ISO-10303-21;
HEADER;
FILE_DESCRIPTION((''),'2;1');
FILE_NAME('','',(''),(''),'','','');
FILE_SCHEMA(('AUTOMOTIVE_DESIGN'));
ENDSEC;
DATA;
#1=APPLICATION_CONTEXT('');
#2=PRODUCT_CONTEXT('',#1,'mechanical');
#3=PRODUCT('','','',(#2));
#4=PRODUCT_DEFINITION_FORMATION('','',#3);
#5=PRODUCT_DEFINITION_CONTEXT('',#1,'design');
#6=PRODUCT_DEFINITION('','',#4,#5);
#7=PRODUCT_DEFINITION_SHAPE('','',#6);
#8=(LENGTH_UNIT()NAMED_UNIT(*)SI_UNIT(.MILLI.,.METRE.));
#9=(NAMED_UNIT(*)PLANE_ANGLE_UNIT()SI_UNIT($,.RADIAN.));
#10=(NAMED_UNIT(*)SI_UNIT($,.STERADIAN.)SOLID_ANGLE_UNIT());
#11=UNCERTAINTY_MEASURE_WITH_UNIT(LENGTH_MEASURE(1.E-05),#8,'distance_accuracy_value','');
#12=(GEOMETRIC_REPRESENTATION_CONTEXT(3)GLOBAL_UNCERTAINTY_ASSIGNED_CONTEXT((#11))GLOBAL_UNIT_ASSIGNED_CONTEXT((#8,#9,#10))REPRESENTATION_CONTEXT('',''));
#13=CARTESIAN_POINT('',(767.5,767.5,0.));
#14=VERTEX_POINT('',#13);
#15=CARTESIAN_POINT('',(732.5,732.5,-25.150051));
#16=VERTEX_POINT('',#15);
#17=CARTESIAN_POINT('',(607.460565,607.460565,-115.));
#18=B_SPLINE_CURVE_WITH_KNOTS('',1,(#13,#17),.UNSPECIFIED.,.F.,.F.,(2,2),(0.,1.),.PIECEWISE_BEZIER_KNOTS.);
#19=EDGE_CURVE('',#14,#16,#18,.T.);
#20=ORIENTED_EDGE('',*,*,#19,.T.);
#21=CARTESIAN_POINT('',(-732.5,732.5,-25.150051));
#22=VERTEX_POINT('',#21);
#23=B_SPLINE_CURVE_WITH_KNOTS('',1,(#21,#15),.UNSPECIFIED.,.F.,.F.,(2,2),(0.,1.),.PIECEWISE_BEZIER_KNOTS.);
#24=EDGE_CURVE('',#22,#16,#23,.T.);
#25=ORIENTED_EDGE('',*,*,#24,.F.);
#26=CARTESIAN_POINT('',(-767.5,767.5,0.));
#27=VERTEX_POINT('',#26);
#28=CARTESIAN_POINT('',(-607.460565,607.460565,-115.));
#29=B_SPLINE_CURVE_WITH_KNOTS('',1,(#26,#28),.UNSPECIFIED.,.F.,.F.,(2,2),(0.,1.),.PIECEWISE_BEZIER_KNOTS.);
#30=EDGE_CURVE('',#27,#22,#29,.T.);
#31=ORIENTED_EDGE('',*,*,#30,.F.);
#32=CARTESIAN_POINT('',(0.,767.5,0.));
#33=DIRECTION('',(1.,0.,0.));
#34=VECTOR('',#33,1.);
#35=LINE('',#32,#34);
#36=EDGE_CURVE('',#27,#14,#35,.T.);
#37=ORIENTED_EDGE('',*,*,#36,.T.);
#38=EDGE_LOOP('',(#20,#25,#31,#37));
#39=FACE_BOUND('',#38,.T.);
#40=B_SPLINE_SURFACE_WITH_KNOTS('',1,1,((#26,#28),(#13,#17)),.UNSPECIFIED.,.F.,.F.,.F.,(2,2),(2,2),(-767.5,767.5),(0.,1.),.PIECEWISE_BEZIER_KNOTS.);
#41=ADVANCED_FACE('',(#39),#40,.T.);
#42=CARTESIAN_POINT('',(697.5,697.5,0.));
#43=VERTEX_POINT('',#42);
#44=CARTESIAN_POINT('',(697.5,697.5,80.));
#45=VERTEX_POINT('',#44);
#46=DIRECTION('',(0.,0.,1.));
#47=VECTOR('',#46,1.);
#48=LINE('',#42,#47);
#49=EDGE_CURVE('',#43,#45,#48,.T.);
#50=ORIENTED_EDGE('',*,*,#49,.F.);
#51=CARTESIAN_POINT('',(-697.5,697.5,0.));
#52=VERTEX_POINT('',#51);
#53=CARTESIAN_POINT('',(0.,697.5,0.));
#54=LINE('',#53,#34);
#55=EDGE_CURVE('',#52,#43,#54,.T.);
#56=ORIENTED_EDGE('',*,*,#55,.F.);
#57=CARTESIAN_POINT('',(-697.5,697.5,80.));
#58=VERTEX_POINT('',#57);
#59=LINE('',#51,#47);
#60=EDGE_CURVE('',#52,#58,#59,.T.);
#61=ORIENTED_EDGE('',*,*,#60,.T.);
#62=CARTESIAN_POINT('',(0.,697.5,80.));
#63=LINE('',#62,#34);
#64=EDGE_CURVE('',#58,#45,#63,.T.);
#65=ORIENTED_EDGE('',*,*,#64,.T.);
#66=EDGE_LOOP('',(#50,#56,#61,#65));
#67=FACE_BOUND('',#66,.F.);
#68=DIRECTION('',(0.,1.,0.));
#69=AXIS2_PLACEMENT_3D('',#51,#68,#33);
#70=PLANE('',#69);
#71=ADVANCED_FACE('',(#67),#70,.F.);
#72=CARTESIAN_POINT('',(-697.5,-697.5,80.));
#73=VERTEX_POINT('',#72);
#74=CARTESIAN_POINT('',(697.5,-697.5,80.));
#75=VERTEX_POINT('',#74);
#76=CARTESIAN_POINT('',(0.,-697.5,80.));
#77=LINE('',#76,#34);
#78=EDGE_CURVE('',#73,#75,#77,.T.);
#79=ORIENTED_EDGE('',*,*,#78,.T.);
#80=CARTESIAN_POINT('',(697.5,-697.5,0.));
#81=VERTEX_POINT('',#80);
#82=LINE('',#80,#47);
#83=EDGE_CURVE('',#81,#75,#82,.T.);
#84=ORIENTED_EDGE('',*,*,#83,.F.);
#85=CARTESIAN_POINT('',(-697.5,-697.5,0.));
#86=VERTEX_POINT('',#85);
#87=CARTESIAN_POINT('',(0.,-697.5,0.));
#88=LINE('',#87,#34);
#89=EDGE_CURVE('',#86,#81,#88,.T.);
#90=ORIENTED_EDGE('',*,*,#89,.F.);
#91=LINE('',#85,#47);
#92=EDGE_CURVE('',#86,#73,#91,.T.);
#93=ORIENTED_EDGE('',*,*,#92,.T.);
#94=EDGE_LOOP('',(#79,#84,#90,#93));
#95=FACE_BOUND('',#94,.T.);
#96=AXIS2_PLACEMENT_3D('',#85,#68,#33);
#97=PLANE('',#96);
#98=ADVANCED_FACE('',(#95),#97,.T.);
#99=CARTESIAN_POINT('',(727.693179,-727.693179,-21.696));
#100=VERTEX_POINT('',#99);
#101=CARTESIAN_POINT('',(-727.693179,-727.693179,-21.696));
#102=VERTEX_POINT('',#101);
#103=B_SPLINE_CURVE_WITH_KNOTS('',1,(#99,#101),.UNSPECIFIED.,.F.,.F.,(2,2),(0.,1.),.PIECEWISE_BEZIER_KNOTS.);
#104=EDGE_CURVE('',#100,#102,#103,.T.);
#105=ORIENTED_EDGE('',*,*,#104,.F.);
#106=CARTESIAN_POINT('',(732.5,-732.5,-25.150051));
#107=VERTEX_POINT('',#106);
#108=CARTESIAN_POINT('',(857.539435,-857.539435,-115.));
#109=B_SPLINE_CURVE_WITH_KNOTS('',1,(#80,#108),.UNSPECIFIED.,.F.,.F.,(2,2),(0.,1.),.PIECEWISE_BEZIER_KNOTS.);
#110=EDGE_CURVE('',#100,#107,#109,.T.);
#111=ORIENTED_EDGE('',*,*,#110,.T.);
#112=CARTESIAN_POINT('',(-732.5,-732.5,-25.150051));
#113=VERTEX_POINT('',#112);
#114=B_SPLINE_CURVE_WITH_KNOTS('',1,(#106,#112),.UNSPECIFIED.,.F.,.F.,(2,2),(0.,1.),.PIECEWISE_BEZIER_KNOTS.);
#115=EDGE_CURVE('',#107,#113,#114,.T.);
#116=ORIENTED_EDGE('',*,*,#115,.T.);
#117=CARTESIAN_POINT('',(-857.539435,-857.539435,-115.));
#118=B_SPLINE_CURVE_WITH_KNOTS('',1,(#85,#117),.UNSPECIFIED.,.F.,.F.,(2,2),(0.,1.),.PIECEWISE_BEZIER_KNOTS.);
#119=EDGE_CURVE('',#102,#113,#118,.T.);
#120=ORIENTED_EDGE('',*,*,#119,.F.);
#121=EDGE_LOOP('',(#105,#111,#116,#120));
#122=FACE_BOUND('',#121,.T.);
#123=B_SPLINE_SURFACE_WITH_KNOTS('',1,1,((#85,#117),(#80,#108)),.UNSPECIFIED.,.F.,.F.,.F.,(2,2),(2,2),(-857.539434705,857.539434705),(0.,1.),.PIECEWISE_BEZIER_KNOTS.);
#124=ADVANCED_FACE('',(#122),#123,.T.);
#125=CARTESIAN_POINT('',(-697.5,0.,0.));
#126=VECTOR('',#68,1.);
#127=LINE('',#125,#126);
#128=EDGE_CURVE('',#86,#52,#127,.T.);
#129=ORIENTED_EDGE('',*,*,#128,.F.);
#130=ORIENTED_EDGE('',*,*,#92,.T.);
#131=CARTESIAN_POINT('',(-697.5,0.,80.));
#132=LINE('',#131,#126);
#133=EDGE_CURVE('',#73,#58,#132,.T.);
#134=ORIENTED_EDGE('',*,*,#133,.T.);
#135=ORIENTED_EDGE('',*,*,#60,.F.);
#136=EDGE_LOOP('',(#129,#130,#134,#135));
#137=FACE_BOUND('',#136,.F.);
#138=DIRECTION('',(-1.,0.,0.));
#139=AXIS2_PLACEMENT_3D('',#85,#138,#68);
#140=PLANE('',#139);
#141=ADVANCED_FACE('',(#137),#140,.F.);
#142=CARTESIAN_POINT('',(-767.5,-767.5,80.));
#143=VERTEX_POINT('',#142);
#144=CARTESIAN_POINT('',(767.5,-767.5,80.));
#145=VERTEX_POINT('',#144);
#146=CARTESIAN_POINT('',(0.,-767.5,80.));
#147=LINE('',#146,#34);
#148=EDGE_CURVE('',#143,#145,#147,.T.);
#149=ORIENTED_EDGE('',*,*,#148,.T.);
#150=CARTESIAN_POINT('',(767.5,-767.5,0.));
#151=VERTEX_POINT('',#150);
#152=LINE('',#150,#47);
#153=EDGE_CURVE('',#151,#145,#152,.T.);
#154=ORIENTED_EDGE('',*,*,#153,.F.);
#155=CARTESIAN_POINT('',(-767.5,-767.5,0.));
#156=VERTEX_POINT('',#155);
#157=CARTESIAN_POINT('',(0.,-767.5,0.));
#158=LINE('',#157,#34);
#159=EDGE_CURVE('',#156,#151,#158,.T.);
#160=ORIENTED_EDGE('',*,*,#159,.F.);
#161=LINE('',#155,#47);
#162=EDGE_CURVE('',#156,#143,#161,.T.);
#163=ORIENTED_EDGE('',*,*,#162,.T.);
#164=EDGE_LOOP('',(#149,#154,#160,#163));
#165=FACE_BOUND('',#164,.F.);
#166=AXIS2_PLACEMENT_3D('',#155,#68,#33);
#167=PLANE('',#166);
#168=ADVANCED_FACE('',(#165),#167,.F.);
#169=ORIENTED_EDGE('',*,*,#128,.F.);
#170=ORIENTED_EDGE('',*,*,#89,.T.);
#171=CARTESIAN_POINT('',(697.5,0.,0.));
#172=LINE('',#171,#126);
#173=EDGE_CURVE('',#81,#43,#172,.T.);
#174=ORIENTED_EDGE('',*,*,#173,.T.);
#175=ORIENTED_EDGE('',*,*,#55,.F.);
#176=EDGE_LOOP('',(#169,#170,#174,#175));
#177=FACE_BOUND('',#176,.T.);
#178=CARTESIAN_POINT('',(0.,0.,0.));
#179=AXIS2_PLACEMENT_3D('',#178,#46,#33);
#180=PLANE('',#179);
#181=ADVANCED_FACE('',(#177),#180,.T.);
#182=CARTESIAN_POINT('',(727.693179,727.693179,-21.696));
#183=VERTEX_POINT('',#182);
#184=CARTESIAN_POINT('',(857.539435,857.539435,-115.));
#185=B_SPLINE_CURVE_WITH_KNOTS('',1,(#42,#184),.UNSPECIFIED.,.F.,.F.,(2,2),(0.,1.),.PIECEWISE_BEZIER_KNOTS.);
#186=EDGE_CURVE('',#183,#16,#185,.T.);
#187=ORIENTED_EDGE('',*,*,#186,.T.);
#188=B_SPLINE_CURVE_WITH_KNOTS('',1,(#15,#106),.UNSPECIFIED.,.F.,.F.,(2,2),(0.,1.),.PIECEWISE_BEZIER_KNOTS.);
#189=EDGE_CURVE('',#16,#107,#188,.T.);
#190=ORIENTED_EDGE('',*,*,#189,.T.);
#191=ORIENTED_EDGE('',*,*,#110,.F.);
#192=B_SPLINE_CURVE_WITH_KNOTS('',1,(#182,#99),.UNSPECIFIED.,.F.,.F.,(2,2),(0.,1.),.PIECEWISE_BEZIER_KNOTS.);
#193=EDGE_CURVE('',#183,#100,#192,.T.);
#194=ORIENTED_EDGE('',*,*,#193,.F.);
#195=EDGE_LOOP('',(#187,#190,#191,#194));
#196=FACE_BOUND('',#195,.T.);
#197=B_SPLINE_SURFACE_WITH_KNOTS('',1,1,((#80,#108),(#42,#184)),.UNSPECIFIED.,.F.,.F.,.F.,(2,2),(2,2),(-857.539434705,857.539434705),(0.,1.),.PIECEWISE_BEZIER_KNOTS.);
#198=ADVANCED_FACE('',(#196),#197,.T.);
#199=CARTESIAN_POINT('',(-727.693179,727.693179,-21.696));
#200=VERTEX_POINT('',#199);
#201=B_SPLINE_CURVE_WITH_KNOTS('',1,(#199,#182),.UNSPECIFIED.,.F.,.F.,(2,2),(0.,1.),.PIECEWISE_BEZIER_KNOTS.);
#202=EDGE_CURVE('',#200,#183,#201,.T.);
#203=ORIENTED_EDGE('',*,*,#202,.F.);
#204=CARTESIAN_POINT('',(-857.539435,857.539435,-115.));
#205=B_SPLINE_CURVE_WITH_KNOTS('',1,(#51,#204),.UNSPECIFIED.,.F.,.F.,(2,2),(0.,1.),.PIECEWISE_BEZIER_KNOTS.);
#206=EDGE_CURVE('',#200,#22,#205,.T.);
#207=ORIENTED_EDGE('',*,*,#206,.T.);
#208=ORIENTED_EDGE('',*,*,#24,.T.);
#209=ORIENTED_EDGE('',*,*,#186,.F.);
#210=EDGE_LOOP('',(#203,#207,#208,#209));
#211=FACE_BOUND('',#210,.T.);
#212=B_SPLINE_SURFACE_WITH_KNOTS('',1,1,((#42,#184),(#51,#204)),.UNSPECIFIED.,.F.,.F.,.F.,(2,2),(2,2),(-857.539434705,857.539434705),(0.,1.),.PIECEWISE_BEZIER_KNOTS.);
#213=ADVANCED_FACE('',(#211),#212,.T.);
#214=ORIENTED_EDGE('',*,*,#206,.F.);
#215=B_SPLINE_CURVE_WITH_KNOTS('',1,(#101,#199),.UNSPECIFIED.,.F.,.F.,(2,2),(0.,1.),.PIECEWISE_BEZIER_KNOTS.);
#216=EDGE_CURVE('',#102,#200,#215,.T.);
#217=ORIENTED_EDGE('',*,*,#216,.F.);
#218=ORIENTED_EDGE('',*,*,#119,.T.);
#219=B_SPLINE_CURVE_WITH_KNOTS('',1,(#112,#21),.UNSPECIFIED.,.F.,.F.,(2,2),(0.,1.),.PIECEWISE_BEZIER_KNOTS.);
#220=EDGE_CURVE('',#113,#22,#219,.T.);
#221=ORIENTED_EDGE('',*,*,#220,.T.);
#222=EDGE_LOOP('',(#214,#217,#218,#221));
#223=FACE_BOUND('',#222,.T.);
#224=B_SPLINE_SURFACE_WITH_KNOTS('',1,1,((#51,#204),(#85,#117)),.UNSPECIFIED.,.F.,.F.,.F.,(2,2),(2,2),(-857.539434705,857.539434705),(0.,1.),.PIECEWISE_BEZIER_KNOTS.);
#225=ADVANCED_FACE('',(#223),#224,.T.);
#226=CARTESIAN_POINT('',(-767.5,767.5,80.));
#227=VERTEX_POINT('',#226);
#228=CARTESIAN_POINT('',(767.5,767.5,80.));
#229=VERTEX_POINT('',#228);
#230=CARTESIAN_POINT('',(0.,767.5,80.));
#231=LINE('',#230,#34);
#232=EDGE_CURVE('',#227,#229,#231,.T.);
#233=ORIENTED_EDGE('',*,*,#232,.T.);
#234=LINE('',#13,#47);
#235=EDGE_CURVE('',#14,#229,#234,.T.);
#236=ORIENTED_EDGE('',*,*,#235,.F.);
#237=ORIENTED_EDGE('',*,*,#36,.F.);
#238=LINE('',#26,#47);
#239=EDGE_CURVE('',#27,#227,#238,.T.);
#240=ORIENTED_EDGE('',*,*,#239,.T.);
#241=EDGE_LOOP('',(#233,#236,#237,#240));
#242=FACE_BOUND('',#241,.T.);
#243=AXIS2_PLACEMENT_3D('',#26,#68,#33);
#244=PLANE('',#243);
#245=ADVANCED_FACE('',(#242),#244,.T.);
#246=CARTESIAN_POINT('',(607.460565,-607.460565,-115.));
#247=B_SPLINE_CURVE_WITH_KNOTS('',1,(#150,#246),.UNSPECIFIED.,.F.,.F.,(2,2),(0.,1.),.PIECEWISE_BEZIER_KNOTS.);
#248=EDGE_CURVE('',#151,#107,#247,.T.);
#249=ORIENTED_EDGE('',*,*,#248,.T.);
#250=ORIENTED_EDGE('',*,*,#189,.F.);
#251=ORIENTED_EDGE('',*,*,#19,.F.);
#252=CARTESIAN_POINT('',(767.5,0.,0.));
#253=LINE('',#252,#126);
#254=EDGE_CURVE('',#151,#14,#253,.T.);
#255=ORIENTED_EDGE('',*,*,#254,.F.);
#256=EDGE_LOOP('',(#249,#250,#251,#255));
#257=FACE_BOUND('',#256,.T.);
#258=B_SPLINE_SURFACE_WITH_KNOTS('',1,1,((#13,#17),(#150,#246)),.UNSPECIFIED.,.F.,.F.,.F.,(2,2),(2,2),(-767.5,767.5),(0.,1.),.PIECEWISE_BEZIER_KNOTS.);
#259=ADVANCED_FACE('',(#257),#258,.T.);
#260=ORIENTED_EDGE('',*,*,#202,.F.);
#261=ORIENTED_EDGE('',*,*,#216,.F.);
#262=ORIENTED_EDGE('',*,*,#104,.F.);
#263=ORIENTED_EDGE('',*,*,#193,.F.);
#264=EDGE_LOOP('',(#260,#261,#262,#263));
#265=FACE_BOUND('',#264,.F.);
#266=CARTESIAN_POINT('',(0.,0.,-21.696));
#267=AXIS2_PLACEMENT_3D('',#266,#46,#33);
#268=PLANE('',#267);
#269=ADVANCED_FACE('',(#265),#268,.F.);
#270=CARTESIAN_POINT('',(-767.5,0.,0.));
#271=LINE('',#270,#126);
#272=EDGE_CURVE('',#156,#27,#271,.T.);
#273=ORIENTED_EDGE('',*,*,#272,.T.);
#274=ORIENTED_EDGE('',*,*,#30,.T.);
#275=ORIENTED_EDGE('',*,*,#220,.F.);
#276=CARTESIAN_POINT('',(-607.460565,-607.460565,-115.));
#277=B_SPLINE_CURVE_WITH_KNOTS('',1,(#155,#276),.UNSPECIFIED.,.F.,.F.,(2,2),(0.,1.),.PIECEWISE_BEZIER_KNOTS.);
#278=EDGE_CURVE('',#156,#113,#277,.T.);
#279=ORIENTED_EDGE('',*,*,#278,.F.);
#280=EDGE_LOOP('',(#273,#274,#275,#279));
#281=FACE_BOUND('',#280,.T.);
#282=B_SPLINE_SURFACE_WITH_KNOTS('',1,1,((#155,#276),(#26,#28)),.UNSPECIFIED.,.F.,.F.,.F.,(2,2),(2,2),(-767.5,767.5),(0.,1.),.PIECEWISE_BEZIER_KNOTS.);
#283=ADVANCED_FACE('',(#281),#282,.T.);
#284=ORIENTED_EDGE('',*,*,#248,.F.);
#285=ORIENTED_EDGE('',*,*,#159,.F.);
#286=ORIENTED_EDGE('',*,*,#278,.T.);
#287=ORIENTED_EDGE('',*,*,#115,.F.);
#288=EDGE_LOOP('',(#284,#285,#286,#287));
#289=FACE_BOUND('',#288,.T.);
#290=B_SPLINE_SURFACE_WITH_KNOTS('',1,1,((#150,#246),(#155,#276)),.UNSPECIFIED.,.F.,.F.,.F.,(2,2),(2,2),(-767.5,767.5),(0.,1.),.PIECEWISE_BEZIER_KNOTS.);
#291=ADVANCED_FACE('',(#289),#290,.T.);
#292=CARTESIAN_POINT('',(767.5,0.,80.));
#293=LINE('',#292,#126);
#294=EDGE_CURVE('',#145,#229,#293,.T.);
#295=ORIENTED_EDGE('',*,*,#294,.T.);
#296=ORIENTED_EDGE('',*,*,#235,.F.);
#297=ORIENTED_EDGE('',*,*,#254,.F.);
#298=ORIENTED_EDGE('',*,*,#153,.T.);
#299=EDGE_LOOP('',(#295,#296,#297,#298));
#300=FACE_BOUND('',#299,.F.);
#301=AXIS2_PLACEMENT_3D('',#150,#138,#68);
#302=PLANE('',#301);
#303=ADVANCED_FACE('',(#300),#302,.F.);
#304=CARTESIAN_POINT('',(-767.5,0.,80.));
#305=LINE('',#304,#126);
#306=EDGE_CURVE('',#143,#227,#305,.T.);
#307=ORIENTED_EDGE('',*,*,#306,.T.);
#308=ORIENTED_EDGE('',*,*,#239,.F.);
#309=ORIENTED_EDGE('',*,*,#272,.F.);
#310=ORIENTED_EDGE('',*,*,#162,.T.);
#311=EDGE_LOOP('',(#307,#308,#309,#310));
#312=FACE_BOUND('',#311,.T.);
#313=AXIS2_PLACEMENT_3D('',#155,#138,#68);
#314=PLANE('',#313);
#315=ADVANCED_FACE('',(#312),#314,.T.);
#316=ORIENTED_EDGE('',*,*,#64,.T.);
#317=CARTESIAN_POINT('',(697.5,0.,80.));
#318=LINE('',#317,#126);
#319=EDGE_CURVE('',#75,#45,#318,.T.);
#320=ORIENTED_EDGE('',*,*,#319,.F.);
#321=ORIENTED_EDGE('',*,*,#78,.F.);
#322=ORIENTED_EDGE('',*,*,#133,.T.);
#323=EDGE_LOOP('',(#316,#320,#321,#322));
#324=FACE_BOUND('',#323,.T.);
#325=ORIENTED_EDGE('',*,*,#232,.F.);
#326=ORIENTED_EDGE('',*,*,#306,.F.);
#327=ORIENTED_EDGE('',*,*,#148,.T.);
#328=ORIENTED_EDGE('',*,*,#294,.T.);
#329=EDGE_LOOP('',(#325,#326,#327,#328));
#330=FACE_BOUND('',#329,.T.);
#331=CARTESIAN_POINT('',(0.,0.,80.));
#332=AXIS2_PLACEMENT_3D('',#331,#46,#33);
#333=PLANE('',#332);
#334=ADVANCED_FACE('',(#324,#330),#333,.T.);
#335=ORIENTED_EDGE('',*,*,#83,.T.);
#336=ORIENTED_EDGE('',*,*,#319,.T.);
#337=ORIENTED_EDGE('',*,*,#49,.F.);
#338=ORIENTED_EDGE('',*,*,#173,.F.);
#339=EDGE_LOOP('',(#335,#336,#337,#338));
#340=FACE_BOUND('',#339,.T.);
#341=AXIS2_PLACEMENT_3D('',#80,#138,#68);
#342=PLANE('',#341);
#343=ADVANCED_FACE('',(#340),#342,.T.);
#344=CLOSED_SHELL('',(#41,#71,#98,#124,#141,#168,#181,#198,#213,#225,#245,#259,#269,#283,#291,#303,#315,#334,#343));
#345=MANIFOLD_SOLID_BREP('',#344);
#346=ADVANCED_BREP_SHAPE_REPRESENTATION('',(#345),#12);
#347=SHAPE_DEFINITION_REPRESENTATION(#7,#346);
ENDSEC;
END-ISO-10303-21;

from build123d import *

# Parameters (mm, degrees)
F0_W        = 1535
F0_H        = 1535
F0_W_2      = 1395
F0_H_2      = 1395
F1_DEPTH    = 80
F1_FACE_W   = 1535
F1_FACE_H   = 1535
F1_FACE_W_2 = 1395
F1_FACE_H_2 = 1395
F2_DEPTH    = 115
F2_TAPER    = 54.3
F3_W        = 1467.787861824
F3_H        = 1458.398938179
F4_DEPTH    = 21.696


with BuildPart() as f1:
    # F0 (on Top) → F1 (new body)
    with BuildSketch(Plane.XY):
        Rectangle(F0_W, F0_H)
        Rectangle(F0_W_2, F0_H_2, mode=Mode.SUBTRACT)
    extrude(amount=F1_DEPTH)

    # F1_face (on face) → F2 (join)
    with BuildSketch(Plane(origin=(0, 0, 0), x_dir=(1, 0, 0), z_dir=(0, 0, -1))):
        Rectangle(F1_FACE_W, F1_FACE_H)
        Rectangle(F1_FACE_W_2, F1_FACE_H_2, mode=Mode.SUBTRACT)
    extrude(amount=F2_DEPTH, taper=F2_TAPER)

    # F3 (on Top) → F4 (join)
    with BuildSketch(Plane.XY):
        Rectangle(F3_W, F3_H)
    extrude(amount=-F4_DEPTH)


solid = f1.part
